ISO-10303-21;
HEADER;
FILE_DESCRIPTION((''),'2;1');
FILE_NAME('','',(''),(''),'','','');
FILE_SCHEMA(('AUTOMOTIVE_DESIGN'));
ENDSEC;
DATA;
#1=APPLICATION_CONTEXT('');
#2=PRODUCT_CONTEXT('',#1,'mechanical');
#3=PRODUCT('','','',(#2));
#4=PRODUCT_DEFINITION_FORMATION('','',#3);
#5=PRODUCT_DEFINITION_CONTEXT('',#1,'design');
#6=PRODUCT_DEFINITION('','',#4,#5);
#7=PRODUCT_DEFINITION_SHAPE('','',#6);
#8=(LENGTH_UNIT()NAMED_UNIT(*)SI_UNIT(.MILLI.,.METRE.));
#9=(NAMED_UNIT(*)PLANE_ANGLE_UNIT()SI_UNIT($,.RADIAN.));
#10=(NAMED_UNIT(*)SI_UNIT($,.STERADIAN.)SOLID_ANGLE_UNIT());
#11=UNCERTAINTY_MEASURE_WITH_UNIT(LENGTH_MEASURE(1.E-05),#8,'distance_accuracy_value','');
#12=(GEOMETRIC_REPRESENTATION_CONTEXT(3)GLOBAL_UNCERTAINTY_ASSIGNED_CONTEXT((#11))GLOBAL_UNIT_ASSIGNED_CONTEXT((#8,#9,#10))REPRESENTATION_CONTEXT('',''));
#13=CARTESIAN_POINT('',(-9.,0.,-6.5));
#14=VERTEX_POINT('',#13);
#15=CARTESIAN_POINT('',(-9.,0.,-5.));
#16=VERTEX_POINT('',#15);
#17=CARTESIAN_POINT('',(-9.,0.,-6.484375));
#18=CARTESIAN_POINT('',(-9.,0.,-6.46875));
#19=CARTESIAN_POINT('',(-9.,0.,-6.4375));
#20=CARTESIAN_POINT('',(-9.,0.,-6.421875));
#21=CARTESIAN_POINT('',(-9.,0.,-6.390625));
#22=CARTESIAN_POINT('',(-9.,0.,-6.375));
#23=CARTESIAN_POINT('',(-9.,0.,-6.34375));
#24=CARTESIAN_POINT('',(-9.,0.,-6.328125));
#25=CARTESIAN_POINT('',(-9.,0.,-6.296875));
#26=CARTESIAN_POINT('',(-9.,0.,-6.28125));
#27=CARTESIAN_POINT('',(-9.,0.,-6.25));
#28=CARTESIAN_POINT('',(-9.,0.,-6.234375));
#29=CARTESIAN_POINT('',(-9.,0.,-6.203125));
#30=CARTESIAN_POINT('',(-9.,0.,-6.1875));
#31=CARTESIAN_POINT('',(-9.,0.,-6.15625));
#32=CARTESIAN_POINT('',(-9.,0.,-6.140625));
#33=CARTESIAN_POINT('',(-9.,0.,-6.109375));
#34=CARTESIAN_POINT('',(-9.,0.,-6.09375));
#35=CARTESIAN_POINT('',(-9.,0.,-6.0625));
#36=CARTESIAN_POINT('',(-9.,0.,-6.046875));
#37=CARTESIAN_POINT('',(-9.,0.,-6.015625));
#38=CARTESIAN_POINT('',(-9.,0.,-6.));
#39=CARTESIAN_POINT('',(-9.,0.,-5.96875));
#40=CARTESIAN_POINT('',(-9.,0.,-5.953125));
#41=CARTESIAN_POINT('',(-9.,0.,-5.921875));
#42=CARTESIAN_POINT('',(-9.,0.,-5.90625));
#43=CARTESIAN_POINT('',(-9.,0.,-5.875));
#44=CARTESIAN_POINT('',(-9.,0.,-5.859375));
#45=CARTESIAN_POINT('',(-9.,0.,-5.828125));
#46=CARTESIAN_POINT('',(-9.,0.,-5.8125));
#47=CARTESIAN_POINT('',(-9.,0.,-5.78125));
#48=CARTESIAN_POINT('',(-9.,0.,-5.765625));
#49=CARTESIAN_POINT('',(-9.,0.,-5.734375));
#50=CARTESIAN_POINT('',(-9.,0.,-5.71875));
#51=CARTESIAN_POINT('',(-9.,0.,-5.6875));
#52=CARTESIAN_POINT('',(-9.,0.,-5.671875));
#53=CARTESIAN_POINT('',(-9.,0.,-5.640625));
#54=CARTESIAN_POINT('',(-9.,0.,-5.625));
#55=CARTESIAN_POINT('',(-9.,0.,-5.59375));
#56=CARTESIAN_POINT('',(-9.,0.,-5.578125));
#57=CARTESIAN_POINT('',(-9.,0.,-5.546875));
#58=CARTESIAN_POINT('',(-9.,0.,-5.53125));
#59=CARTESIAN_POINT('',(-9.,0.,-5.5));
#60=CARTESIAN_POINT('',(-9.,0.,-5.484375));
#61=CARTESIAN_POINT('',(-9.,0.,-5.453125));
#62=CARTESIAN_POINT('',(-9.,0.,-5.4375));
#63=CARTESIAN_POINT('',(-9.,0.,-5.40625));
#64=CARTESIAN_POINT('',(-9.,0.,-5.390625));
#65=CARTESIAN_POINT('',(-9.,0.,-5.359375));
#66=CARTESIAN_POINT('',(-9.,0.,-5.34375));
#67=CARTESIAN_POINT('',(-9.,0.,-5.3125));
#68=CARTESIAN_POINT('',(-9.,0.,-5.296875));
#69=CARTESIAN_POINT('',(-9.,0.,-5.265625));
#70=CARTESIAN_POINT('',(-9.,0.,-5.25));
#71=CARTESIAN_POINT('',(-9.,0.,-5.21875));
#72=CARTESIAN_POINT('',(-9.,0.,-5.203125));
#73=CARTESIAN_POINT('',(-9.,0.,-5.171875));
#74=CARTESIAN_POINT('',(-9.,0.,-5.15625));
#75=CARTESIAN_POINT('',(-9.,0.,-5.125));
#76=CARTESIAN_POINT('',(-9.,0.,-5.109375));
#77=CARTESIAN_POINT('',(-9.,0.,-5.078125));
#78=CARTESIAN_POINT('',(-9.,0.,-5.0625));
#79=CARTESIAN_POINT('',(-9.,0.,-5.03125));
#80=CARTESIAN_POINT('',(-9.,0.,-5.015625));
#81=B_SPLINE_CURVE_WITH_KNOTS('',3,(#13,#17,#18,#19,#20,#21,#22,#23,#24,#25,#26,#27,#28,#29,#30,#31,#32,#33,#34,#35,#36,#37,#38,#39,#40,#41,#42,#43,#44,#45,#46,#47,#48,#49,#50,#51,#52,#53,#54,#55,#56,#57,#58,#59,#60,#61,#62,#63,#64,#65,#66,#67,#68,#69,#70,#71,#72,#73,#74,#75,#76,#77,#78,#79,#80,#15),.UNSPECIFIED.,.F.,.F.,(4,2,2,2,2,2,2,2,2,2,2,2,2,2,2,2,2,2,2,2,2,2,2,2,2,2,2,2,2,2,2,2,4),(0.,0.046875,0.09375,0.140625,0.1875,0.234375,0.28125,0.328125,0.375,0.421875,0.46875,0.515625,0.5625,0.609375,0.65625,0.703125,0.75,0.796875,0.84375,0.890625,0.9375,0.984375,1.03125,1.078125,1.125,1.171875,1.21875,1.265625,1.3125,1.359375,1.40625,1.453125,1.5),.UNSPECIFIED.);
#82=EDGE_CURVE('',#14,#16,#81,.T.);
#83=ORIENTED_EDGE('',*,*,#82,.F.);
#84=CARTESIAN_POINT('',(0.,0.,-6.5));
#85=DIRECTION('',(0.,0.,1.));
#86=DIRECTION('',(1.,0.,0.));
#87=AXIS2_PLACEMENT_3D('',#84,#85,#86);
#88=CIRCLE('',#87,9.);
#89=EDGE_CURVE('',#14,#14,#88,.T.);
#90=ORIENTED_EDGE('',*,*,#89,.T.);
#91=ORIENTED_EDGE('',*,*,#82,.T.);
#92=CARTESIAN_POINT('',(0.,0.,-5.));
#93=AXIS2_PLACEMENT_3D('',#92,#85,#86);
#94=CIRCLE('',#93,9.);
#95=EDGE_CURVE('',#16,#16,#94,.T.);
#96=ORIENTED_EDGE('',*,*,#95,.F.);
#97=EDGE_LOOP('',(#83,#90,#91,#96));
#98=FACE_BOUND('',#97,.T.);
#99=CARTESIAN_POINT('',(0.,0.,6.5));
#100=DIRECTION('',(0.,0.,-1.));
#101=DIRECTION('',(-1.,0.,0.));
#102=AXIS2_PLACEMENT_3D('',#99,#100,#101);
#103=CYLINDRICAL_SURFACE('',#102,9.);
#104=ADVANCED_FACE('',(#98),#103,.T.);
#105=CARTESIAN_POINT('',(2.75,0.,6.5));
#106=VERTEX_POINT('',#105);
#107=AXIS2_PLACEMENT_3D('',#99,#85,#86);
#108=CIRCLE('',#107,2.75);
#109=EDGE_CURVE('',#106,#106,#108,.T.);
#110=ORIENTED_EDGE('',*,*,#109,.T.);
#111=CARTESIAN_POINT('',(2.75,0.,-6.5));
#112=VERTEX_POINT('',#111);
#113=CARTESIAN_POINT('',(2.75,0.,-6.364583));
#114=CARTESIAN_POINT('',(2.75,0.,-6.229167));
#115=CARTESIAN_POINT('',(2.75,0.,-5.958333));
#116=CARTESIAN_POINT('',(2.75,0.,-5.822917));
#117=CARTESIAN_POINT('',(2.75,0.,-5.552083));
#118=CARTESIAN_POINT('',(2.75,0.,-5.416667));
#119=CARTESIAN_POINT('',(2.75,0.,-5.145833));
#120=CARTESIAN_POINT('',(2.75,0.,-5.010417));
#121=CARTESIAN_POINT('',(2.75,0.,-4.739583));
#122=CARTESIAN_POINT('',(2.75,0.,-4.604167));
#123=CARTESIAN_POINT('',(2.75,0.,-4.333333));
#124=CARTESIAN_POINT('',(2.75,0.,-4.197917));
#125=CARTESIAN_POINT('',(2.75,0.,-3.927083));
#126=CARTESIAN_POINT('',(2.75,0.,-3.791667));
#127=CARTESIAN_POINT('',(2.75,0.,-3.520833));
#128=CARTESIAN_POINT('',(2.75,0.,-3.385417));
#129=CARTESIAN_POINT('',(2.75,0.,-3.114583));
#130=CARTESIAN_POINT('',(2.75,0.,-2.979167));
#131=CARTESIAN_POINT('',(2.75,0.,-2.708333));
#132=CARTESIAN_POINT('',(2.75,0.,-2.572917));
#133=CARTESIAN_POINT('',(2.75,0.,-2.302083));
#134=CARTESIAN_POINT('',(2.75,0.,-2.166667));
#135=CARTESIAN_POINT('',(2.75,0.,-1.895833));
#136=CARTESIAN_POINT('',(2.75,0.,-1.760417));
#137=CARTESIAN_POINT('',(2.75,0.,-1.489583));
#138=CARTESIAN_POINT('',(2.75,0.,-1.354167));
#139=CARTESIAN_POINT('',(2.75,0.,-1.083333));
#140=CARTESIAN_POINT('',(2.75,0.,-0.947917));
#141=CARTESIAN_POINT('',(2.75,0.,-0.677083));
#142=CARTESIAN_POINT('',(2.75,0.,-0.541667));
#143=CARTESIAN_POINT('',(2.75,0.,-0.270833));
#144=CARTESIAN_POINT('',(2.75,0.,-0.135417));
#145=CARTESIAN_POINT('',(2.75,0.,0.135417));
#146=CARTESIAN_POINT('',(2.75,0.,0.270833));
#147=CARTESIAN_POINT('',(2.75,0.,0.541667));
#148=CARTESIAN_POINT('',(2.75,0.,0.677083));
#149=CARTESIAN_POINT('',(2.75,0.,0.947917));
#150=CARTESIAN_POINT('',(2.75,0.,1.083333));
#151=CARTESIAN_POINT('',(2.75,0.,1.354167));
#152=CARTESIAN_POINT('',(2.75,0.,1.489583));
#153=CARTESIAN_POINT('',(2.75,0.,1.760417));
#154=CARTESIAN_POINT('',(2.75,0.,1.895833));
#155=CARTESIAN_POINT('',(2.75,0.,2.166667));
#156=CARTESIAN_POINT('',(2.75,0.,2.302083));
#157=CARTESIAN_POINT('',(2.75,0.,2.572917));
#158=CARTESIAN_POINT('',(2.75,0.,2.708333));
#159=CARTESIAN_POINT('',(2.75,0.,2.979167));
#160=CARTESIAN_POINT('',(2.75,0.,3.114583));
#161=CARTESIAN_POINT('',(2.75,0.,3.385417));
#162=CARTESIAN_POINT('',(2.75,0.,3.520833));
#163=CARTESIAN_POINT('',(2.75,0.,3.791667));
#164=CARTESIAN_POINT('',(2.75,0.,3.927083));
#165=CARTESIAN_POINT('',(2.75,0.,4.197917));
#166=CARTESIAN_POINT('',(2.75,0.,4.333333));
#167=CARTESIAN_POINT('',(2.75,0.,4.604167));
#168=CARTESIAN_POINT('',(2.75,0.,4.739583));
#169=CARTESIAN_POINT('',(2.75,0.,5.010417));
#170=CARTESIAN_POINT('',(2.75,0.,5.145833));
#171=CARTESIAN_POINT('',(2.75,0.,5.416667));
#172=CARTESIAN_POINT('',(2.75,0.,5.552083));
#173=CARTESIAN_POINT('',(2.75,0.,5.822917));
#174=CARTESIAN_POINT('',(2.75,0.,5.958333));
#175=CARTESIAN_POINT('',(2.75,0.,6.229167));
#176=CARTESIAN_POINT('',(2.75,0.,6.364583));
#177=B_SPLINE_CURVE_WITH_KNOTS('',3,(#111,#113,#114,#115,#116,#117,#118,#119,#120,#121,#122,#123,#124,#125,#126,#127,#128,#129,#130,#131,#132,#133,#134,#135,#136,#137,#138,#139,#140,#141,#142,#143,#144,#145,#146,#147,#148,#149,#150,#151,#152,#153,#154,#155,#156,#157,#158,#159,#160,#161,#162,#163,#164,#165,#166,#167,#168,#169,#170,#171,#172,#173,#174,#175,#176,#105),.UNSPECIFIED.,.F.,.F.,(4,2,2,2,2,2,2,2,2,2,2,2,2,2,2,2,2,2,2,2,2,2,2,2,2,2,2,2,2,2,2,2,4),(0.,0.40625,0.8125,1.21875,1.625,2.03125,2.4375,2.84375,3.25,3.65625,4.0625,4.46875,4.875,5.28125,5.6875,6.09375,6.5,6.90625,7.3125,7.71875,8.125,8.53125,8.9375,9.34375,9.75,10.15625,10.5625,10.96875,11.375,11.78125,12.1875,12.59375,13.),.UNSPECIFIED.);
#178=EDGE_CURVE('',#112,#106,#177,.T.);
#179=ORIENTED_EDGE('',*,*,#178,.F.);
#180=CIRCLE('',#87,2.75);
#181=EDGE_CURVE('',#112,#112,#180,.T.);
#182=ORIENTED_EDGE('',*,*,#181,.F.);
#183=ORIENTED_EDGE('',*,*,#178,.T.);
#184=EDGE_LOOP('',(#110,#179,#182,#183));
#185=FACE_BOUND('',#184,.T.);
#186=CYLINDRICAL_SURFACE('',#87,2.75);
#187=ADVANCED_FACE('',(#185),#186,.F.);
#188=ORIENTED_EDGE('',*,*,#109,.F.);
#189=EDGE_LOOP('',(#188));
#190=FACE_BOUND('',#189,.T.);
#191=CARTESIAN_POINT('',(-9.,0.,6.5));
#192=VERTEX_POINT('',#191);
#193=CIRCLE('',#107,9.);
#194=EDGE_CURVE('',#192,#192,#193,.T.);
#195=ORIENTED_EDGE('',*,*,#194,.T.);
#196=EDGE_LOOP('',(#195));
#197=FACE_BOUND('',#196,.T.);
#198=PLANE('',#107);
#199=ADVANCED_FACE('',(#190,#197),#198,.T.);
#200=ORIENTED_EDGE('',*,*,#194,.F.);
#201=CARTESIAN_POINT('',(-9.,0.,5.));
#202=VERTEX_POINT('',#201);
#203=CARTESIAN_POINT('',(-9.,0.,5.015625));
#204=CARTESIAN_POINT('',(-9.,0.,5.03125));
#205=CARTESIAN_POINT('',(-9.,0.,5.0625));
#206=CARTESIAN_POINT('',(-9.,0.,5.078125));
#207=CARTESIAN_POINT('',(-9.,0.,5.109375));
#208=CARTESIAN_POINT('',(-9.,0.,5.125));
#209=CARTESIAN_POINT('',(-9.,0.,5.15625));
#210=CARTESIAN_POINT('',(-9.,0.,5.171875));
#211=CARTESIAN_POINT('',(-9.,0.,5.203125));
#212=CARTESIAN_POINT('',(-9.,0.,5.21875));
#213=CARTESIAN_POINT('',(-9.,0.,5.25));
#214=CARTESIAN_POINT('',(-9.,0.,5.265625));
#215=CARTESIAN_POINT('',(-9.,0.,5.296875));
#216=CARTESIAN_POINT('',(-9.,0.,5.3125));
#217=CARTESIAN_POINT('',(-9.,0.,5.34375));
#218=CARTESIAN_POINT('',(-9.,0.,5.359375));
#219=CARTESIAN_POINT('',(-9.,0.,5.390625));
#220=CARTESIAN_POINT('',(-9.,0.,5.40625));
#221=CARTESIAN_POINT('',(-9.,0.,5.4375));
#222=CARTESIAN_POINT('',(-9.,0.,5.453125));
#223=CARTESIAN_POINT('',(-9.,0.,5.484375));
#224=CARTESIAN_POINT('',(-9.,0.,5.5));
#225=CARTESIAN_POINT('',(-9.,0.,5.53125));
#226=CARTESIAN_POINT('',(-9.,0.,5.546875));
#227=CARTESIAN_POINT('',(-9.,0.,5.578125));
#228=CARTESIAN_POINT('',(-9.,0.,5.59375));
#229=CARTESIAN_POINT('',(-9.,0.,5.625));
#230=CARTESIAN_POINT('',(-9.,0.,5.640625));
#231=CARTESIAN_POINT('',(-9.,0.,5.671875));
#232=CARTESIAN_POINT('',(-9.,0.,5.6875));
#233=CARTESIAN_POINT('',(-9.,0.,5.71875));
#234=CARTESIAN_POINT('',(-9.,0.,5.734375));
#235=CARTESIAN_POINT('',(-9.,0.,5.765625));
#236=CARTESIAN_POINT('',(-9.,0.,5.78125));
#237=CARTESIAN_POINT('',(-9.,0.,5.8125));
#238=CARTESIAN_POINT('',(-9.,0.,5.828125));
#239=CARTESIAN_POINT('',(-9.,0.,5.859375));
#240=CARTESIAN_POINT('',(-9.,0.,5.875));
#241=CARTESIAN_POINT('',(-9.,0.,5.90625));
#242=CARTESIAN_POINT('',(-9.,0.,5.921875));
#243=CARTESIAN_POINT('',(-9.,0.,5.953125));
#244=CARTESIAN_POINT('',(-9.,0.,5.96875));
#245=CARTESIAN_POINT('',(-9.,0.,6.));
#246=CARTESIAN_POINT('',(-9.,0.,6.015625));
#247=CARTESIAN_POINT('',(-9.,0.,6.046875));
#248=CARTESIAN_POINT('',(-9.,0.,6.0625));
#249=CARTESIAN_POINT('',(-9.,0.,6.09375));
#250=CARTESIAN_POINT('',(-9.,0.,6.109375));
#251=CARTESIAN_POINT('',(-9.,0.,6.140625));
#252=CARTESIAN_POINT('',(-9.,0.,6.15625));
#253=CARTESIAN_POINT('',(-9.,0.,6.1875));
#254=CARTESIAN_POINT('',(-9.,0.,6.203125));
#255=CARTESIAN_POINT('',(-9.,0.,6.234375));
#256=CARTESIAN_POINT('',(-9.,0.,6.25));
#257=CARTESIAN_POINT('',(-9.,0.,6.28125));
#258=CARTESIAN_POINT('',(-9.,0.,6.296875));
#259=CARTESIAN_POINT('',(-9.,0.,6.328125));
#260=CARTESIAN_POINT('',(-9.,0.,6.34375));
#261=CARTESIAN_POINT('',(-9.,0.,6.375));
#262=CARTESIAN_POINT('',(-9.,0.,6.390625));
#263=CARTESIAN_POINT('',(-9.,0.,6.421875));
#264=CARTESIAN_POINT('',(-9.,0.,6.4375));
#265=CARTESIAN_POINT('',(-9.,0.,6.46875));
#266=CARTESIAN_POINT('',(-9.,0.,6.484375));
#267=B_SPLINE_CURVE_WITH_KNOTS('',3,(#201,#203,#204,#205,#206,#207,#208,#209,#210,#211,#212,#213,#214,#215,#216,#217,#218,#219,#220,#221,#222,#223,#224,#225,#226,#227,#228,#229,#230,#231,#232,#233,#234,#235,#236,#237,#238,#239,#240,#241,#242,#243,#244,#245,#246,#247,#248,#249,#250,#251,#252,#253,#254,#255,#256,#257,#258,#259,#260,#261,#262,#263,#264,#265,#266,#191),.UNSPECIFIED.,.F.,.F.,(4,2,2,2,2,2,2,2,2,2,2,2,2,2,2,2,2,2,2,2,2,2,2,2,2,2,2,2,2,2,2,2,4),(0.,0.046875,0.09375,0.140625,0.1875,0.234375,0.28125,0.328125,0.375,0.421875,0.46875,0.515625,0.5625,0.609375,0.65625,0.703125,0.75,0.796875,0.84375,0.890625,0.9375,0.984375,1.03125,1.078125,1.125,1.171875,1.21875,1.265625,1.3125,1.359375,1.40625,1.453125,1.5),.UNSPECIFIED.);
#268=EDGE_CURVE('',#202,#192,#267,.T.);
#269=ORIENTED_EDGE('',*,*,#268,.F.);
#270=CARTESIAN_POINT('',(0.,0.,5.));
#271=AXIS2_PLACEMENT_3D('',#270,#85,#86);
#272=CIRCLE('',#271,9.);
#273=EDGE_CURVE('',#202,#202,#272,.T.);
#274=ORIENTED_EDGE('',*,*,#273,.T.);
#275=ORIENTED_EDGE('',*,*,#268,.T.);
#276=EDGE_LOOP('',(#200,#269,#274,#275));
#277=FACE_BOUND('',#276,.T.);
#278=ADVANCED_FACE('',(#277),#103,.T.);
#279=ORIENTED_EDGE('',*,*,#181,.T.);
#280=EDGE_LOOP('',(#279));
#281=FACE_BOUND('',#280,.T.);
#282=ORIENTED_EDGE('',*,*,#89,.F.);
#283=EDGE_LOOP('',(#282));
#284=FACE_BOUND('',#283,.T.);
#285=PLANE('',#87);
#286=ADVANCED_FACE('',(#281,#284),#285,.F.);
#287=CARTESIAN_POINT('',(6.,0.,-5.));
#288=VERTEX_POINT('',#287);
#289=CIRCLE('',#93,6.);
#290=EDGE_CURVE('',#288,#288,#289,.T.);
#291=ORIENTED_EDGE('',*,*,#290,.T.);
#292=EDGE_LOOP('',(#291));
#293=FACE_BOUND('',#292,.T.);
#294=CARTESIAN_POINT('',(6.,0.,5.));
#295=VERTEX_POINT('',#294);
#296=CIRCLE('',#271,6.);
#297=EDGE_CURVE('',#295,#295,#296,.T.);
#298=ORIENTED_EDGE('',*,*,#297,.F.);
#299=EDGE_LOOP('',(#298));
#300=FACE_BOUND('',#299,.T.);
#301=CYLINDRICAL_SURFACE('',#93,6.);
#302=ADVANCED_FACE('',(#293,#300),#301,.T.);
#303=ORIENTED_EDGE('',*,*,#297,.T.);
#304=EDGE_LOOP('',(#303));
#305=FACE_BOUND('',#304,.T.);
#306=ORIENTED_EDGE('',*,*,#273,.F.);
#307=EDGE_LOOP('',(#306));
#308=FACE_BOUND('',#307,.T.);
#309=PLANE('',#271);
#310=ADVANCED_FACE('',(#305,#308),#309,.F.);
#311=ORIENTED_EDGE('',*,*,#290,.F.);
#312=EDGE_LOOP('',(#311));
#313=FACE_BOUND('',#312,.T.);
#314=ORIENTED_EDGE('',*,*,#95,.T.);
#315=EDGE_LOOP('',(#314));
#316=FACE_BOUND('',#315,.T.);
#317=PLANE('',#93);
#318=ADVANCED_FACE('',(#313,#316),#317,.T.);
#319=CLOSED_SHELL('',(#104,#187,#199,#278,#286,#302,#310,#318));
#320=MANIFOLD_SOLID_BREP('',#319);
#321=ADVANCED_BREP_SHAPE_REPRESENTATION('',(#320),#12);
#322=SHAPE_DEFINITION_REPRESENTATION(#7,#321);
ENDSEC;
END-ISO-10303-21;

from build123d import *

# Parameters (mm, degrees)
SKETCH1_R           = 9
BOSS_EXTRUDE1_DEPTH = 6.5
SKETCH2_R           = 9
SKETCH2_R_2         = 6
CUT_EXTRUDE2_DEPTH  = 5
SKETCH3_R           = 2.75
CUT_EXTRUDE3_DEPTH  = 19.193405399


with BuildPart() as part:
    # Sketch1 → Boss-Extrude1 (new, symmetric)
    with BuildSketch(Plane.XY):
        with Locations(Location((0, 0, 0), (0, 0, 180))):
            Circle(SKETCH1_R)
    extrude(amount=BOSS_EXTRUDE1_DEPTH, both=True)

    # Sketch2 → Cut-Extrude2 (cut, symmetric)
    with BuildSketch(Plane.XY):
        with Locations(Location((0, 0, 0), (0, 0, 180))):
            Circle(SKETCH2_R)
        Circle(SKETCH2_R_2, mode=Mode.SUBTRACT)
    extrude(amount=CUT_EXTRUDE2_DEPTH, both=True, mode=Mode.SUBTRACT)

    # Sketch3 → Cut-Extrude3 (cut, through all)
    with BuildSketch(Plane.XY.offset(6.5)):
        Circle(SKETCH3_R)
    extrude(amount=-CUT_EXTRUDE3_DEPTH, mode=Mode.SUBTRACT)


solid = part.part
